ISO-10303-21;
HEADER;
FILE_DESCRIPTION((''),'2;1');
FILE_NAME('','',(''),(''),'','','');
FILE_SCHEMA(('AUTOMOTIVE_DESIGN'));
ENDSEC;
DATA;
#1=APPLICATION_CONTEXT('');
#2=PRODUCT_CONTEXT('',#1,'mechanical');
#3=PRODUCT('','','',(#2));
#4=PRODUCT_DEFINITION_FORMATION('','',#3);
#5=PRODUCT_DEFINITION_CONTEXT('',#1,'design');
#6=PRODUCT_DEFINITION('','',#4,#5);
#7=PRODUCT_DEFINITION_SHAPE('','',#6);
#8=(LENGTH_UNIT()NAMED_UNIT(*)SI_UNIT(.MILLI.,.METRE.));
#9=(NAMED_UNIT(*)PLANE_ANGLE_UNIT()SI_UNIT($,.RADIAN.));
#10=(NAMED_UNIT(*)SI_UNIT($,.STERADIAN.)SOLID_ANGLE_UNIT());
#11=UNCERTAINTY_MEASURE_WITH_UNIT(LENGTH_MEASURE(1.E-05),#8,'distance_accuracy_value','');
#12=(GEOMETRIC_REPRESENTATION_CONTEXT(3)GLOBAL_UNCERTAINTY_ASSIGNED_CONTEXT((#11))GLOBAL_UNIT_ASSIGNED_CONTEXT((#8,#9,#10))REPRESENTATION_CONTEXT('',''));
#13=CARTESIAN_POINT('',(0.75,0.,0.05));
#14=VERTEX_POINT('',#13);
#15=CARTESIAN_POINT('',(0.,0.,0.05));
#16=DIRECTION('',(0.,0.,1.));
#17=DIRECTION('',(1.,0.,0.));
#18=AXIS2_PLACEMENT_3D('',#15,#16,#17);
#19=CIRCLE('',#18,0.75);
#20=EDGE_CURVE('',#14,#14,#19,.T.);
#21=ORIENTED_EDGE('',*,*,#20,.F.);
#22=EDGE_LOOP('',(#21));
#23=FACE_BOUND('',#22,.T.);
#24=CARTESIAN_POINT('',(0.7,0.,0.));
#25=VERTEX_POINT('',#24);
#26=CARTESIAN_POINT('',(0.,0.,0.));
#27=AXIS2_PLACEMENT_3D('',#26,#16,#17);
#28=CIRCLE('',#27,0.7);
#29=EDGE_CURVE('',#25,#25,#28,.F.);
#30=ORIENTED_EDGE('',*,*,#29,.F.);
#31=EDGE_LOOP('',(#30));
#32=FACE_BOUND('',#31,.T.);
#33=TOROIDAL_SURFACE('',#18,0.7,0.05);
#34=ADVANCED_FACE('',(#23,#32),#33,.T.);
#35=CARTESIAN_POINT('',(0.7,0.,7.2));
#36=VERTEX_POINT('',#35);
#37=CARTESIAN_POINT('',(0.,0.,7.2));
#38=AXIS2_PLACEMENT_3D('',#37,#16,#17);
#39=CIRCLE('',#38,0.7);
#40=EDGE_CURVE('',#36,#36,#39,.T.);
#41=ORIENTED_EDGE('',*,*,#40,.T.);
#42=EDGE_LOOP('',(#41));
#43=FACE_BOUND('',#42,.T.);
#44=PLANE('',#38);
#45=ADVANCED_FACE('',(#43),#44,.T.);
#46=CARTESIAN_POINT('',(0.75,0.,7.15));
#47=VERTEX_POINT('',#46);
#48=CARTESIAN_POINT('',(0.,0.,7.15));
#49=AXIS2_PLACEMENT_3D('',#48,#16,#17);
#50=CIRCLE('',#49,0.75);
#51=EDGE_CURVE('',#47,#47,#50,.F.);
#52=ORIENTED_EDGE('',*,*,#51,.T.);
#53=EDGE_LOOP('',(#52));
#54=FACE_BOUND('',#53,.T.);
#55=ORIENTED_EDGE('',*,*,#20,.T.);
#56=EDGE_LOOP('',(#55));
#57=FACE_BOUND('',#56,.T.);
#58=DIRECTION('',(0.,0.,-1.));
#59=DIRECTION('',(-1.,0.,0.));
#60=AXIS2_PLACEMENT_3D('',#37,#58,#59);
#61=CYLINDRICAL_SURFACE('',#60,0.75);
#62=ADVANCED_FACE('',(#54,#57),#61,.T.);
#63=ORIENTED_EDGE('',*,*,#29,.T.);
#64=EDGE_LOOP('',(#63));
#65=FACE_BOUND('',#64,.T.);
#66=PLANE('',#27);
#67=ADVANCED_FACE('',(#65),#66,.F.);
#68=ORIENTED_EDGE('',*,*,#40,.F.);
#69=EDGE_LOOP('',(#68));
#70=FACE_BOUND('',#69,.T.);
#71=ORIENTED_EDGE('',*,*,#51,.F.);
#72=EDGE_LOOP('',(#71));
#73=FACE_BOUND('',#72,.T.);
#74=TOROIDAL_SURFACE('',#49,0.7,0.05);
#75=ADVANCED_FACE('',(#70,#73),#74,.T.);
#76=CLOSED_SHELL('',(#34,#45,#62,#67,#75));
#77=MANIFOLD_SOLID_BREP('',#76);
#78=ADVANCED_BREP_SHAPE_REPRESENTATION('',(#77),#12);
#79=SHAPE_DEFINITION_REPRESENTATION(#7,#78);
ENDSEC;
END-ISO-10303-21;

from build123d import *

# Parameters (mm, degrees)
SKETCH_1_R      = 0.75
EXTRUDE_1_DEPTH = 7.2
FILLET_1_R      = 0.05


with BuildPart() as part:
    # 草圖1 → 伸長1 (new body)
    with BuildSketch(Plane.XY):
        Circle(SKETCH_1_R)
    extrude(amount=EXTRUDE_1_DEPTH)

    # 圓角1
    fillet_1_edges = [part.edges().sort_by_distance(p)[0] for p in [
        (-0.75, 0, 0),
        (-0.75, 0, 7.2),
    ]]
    fillet(fillet_1_edges, radius=FILLET_1_R)


solid = part.part
